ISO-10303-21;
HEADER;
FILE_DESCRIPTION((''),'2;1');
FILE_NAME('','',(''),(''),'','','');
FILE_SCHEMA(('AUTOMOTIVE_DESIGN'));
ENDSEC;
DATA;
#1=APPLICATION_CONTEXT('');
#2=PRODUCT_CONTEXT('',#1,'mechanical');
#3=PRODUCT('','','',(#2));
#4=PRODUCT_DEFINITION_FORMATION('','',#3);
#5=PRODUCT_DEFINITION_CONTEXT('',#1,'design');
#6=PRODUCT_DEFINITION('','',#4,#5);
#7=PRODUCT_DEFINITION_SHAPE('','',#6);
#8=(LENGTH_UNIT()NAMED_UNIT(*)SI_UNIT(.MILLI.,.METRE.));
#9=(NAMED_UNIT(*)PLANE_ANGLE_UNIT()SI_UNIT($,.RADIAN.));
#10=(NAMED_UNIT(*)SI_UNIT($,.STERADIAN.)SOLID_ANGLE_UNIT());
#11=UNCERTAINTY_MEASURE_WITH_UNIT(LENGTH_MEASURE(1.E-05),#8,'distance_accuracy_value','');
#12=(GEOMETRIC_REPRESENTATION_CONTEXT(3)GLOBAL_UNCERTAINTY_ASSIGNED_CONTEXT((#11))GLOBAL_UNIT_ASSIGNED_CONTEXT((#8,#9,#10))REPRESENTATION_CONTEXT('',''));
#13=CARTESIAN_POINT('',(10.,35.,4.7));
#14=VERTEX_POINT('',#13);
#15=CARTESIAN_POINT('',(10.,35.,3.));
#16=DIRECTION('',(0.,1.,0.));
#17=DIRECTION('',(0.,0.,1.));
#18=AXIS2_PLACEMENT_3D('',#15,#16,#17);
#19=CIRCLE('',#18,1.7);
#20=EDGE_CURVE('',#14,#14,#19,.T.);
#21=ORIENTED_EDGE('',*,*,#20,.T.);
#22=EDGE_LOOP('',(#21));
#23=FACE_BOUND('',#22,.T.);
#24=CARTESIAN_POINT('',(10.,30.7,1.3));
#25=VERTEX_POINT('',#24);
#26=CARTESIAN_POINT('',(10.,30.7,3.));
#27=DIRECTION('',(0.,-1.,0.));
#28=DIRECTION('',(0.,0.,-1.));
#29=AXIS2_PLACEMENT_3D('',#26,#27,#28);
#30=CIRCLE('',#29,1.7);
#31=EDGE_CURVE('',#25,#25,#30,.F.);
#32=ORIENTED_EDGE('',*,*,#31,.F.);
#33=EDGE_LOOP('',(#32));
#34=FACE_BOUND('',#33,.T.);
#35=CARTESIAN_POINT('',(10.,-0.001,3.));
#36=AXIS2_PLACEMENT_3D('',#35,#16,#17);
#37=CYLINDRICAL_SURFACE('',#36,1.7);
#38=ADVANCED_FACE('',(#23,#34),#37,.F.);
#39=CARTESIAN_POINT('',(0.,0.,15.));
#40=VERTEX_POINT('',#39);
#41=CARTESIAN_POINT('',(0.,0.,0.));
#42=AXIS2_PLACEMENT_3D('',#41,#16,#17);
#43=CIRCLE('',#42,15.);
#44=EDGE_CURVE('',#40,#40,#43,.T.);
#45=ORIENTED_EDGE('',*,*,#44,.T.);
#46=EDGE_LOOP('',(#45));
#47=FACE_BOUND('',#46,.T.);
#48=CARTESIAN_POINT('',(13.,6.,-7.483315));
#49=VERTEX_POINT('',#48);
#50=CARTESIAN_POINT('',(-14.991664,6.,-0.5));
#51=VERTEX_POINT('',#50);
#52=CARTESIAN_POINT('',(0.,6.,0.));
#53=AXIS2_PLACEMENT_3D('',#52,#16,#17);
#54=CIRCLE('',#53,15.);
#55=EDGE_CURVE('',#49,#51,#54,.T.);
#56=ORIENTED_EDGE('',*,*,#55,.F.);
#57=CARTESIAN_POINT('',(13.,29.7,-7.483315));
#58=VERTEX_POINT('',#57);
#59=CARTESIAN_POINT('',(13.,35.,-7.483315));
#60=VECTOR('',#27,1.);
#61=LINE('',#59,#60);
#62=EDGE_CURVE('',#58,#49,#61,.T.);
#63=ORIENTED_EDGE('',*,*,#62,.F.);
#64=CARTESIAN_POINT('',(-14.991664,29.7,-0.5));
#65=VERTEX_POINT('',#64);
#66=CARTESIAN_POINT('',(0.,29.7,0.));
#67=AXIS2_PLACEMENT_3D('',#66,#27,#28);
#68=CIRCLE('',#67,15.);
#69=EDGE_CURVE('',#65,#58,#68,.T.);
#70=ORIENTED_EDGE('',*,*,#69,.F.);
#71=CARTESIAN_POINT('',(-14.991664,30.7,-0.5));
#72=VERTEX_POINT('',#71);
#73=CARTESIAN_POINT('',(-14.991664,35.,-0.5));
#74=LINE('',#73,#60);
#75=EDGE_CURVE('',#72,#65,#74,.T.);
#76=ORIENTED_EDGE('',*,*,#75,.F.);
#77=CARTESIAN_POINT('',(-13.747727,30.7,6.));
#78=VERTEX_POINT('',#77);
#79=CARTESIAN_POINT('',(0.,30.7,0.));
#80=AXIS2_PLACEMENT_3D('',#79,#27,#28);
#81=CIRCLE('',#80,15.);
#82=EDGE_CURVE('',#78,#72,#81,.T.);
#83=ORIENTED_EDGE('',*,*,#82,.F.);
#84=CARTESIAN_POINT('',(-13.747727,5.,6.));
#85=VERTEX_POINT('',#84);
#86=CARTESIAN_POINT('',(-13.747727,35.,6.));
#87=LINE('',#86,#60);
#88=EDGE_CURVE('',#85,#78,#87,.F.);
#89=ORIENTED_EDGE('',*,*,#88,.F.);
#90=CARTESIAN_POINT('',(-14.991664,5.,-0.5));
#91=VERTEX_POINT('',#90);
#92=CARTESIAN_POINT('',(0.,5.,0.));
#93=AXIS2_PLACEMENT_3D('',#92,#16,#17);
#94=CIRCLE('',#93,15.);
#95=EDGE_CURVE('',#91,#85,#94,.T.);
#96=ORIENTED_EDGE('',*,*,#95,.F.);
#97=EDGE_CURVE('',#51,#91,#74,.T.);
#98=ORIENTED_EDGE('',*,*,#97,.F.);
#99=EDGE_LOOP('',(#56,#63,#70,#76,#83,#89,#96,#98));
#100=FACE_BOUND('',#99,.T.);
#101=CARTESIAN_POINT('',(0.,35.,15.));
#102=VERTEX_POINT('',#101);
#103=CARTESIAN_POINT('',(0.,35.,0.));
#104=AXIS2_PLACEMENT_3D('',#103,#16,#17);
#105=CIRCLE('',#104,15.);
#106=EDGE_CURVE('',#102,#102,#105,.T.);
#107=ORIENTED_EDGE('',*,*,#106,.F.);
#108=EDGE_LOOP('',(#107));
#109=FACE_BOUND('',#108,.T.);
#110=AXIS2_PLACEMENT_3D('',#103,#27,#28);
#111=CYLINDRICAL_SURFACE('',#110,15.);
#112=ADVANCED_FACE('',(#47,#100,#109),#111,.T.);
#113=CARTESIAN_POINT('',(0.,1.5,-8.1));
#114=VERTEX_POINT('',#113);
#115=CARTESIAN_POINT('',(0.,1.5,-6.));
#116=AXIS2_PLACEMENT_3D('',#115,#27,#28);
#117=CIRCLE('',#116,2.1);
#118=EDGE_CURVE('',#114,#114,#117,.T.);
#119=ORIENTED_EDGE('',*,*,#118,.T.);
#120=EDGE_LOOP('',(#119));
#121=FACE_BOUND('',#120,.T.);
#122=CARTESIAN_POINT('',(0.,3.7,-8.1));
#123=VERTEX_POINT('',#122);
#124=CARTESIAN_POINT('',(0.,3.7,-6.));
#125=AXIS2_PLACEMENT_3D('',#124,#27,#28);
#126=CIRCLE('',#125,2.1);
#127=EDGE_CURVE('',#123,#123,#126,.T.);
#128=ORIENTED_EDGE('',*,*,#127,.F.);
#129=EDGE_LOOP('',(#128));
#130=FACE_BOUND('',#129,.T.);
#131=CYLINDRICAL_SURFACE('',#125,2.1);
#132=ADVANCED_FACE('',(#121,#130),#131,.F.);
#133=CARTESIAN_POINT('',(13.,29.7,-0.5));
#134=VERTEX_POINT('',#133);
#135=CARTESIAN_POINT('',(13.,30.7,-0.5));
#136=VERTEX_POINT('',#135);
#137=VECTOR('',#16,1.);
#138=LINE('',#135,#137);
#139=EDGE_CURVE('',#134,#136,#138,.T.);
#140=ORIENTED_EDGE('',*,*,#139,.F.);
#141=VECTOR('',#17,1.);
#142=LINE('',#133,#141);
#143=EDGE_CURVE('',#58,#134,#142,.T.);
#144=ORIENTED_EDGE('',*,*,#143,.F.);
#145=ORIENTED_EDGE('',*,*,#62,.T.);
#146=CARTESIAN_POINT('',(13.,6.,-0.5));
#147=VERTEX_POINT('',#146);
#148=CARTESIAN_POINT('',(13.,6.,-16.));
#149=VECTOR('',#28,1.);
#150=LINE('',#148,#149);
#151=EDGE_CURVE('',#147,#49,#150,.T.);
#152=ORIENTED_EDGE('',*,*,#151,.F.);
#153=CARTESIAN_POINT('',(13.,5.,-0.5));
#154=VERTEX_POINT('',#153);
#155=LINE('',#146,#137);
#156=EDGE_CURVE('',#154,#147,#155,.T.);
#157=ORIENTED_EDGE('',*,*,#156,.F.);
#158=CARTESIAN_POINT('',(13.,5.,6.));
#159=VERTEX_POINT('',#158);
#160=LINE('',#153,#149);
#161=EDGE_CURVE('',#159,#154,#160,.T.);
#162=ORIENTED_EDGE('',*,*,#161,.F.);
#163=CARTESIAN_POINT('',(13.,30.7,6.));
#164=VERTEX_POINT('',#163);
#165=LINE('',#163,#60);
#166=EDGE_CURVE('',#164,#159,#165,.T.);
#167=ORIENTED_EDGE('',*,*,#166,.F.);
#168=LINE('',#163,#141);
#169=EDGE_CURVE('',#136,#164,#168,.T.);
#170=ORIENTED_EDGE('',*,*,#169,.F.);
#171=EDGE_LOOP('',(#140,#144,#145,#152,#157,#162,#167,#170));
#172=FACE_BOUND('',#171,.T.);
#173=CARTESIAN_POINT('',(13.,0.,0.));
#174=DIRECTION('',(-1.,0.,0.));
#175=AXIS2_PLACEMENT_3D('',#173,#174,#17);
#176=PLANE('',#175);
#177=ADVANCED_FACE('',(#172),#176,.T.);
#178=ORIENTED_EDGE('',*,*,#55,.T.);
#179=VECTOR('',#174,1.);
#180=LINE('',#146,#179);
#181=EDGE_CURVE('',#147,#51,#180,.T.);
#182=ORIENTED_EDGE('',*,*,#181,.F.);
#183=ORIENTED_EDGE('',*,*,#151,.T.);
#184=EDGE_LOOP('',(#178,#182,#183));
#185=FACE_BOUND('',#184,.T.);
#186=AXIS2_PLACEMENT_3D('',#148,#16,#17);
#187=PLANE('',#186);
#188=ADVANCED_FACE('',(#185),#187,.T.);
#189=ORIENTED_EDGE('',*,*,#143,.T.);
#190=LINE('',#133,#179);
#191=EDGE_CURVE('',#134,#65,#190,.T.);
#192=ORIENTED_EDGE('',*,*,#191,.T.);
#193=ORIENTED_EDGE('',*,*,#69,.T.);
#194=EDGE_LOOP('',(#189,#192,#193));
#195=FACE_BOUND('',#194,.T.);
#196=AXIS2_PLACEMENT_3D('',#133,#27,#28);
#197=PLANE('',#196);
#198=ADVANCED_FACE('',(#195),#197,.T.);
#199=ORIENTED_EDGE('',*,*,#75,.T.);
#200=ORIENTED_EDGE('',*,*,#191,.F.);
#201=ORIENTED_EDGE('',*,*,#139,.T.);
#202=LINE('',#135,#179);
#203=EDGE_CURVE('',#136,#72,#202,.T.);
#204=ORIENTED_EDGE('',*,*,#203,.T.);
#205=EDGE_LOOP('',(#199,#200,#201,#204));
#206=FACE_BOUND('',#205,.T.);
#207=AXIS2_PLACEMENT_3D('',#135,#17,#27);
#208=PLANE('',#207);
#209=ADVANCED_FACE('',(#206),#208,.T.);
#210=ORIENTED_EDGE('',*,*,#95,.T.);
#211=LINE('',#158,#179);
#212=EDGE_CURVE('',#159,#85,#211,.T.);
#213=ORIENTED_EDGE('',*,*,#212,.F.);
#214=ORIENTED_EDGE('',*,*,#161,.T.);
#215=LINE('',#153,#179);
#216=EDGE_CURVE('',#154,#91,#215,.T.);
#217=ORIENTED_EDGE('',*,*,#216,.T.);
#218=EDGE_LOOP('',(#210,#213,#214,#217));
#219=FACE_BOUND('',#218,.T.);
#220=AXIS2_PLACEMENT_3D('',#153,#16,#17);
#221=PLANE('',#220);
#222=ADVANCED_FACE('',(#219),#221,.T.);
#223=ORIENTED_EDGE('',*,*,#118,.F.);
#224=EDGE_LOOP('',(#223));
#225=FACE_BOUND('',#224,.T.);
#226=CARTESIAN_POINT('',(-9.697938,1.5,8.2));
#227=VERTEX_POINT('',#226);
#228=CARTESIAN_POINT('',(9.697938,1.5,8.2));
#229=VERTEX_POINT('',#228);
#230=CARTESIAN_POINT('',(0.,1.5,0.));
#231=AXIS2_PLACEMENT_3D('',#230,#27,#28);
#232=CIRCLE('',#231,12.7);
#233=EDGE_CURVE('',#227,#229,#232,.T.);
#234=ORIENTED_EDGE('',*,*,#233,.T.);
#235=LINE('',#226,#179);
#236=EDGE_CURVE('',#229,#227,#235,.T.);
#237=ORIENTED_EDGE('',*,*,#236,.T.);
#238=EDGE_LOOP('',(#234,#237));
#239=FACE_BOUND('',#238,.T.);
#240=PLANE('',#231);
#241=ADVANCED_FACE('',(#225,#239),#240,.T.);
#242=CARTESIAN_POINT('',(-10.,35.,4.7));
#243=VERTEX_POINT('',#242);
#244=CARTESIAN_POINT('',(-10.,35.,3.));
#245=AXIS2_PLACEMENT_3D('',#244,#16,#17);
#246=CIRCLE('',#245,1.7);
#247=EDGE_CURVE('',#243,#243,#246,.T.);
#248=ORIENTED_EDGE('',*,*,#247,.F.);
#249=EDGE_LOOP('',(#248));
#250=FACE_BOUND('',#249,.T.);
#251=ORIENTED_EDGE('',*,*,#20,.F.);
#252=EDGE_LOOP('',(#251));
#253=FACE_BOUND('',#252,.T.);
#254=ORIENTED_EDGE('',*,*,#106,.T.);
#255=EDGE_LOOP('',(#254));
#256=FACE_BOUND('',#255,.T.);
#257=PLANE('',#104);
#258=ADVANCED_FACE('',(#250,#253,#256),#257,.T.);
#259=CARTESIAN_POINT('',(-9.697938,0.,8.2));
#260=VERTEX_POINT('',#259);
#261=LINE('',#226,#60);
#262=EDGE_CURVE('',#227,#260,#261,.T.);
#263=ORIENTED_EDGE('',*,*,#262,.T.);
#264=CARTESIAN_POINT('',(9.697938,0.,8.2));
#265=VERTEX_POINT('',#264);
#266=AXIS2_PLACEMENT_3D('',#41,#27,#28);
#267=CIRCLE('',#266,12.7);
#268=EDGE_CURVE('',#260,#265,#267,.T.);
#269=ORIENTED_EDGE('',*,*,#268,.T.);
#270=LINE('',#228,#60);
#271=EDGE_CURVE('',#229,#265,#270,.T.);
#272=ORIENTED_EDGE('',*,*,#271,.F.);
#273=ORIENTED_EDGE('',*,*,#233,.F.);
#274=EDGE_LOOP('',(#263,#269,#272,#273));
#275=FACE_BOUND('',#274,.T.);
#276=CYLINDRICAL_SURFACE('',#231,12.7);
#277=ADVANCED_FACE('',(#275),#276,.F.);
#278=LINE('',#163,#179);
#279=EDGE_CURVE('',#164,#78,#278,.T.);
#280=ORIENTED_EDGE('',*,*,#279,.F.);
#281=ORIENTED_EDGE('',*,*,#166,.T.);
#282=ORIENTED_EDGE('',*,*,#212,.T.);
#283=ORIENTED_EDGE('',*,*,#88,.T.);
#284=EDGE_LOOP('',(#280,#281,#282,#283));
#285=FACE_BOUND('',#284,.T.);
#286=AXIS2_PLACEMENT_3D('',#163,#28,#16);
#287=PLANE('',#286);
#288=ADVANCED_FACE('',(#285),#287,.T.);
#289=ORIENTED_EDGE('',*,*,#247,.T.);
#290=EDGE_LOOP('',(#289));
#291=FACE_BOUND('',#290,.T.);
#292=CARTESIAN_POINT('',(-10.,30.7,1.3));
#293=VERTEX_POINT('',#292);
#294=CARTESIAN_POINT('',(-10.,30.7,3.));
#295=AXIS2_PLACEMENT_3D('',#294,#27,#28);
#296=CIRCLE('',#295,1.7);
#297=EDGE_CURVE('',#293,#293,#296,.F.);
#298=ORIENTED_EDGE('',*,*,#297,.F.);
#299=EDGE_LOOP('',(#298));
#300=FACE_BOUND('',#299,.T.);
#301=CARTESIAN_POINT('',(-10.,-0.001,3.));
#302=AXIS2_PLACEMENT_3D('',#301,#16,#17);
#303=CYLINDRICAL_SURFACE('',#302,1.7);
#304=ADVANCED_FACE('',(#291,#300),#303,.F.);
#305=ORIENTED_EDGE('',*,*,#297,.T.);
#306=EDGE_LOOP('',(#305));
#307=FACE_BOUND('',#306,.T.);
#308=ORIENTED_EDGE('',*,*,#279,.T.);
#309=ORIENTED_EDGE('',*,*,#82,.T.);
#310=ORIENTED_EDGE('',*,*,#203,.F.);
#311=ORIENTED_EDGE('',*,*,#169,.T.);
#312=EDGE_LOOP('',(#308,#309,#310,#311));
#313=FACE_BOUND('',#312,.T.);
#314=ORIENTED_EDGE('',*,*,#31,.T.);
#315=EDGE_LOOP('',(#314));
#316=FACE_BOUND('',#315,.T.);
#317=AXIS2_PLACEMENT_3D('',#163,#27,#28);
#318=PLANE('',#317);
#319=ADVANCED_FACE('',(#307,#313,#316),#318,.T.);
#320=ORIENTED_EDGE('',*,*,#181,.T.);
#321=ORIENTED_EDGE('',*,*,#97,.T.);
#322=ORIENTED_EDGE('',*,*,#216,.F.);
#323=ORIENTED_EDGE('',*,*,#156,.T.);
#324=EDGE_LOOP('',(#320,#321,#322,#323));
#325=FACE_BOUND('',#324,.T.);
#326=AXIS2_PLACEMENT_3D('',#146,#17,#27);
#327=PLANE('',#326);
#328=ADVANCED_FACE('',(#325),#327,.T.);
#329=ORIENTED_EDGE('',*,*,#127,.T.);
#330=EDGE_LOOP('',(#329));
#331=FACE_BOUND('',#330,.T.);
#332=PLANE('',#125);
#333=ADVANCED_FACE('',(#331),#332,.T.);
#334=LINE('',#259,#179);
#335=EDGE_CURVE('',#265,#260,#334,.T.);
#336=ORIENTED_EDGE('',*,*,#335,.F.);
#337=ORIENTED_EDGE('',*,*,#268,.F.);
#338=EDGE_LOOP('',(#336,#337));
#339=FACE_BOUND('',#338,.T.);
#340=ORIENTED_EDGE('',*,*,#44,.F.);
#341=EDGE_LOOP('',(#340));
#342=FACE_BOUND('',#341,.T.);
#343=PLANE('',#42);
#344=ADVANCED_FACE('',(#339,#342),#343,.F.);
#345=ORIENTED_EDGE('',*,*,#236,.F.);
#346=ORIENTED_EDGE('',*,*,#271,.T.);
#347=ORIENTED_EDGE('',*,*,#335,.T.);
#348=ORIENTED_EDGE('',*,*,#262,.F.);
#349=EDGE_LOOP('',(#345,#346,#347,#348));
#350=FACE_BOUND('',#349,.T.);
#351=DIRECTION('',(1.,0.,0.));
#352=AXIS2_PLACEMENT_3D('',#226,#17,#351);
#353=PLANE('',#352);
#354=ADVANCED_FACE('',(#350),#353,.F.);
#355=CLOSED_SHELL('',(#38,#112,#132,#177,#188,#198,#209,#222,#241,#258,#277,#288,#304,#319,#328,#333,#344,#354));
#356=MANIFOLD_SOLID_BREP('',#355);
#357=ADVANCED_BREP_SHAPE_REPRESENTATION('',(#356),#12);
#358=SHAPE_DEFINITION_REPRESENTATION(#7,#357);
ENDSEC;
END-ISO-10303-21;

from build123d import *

# Parameters (mm, degrees)
SKETCH1_R               = 15
BOSS_EXTRUDE1_DEPTH     = 35
CUT_EXTRUDE4_DEPTH      = 13
CUT_EXTRUDE4_DEPTH_BACK = 16
CUT_EXTRUDE5_DEPTH      = 1.5
SKETCH7_R               = 2.1
CUT_EXTRUDE6_DEPTH      = 2.2
CUT_EXTRUDE7_REACH      = 42.927
SKETCH8_R               = 1.7


with BuildPart() as part:
    # Sketch1 → Boss-Extrude1 (new body)
    with BuildSketch(Plane(origin=(0, 0, 0), x_dir=(1, 0, 0), z_dir=(0, 1, 0))):
        with Locations(Location((0, 0, 0), (0, 0, 270))):
            Circle(SKETCH1_R)
    extrude(amount=BOSS_EXTRUDE1_DEPTH)

    # Sketch5 → Cut-Extrude4 (cut, two sides: drawn at the far end of the back side and taken through both)
    with BuildSketch(Plane(origin=(0, 0, 0), x_dir=(0, 0, -1), z_dir=(1, 0, 0)).offset(-CUT_EXTRUDE4_DEPTH_BACK)):
        Polygon((-6, 30.7), (-6, 5), (0.5, 5), (0.5, 6), (16, 6), (16, 29.7), (0.5, 29.7), (0.5, 30.7), align=None)
    extrude(amount=CUT_EXTRUDE4_DEPTH + CUT_EXTRUDE4_DEPTH_BACK, mode=Mode.SUBTRACT)

    # Sketch6 → Cut-Extrude5 (cut)
    with BuildSketch(Plane.XZ):
        with BuildLine():
            Line((-9.697937925, 8.2), (9.697937925, 8.2))
            ThreePointArc((9.697937925, 8.2), (0, -12.7), (-9.697937925, 8.2))
        make_face()
    extrude(amount=-CUT_EXTRUDE5_DEPTH, mode=Mode.SUBTRACT)

    # Sketch7 → Cut-Extrude6 (cut)
    with BuildSketch(Plane.XZ.offset(-1.5)):
        with Locations(Location((0, -6, 0), (0, 0, 270))):
            Circle(SKETCH7_R)
    extrude(amount=-CUT_EXTRUDE6_DEPTH, mode=Mode.SUBTRACT)

    # Sketch8 → Cut-Extrude7 (cut, up to next)
    with BuildSketch(Plane(origin=(0, 35, 0), x_dir=(1, 0, 0), z_dir=(0, 1, 0)), mode=Mode.PRIVATE) as cut_extrude7_sk1:
        with Locations(Location((-10, -3, 0), (0, 0, 270))):
            Circle(SKETCH8_R)
    cut_extrude7_tool1 = extrude(cut_extrude7_sk1.sketch, amount=-CUT_EXTRUDE7_REACH, mode=Mode.PRIVATE) & part.part
    # Sketch8 → Cut-Extrude7 (cut, up to next)
    with BuildSketch(Plane(origin=(0, 35, 0), x_dir=(1, 0, 0), z_dir=(0, 1, 0)), mode=Mode.PRIVATE) as cut_extrude7_sk2:
        with Locations(Location((10, -3, 0), (0, 0, 270))):
            Circle(SKETCH8_R)
    cut_extrude7_tool2 = extrude(cut_extrude7_sk2.sketch, amount=-CUT_EXTRUDE7_REACH, mode=Mode.PRIVATE) & part.part
    add(cut_extrude7_tool1.solids().sort_by_distance((-10, 35, 3))[0], mode=Mode.SUBTRACT)
    add(cut_extrude7_tool2.solids().sort_by_distance((10, 35, 3))[0], mode=Mode.SUBTRACT)


solid = part.part
